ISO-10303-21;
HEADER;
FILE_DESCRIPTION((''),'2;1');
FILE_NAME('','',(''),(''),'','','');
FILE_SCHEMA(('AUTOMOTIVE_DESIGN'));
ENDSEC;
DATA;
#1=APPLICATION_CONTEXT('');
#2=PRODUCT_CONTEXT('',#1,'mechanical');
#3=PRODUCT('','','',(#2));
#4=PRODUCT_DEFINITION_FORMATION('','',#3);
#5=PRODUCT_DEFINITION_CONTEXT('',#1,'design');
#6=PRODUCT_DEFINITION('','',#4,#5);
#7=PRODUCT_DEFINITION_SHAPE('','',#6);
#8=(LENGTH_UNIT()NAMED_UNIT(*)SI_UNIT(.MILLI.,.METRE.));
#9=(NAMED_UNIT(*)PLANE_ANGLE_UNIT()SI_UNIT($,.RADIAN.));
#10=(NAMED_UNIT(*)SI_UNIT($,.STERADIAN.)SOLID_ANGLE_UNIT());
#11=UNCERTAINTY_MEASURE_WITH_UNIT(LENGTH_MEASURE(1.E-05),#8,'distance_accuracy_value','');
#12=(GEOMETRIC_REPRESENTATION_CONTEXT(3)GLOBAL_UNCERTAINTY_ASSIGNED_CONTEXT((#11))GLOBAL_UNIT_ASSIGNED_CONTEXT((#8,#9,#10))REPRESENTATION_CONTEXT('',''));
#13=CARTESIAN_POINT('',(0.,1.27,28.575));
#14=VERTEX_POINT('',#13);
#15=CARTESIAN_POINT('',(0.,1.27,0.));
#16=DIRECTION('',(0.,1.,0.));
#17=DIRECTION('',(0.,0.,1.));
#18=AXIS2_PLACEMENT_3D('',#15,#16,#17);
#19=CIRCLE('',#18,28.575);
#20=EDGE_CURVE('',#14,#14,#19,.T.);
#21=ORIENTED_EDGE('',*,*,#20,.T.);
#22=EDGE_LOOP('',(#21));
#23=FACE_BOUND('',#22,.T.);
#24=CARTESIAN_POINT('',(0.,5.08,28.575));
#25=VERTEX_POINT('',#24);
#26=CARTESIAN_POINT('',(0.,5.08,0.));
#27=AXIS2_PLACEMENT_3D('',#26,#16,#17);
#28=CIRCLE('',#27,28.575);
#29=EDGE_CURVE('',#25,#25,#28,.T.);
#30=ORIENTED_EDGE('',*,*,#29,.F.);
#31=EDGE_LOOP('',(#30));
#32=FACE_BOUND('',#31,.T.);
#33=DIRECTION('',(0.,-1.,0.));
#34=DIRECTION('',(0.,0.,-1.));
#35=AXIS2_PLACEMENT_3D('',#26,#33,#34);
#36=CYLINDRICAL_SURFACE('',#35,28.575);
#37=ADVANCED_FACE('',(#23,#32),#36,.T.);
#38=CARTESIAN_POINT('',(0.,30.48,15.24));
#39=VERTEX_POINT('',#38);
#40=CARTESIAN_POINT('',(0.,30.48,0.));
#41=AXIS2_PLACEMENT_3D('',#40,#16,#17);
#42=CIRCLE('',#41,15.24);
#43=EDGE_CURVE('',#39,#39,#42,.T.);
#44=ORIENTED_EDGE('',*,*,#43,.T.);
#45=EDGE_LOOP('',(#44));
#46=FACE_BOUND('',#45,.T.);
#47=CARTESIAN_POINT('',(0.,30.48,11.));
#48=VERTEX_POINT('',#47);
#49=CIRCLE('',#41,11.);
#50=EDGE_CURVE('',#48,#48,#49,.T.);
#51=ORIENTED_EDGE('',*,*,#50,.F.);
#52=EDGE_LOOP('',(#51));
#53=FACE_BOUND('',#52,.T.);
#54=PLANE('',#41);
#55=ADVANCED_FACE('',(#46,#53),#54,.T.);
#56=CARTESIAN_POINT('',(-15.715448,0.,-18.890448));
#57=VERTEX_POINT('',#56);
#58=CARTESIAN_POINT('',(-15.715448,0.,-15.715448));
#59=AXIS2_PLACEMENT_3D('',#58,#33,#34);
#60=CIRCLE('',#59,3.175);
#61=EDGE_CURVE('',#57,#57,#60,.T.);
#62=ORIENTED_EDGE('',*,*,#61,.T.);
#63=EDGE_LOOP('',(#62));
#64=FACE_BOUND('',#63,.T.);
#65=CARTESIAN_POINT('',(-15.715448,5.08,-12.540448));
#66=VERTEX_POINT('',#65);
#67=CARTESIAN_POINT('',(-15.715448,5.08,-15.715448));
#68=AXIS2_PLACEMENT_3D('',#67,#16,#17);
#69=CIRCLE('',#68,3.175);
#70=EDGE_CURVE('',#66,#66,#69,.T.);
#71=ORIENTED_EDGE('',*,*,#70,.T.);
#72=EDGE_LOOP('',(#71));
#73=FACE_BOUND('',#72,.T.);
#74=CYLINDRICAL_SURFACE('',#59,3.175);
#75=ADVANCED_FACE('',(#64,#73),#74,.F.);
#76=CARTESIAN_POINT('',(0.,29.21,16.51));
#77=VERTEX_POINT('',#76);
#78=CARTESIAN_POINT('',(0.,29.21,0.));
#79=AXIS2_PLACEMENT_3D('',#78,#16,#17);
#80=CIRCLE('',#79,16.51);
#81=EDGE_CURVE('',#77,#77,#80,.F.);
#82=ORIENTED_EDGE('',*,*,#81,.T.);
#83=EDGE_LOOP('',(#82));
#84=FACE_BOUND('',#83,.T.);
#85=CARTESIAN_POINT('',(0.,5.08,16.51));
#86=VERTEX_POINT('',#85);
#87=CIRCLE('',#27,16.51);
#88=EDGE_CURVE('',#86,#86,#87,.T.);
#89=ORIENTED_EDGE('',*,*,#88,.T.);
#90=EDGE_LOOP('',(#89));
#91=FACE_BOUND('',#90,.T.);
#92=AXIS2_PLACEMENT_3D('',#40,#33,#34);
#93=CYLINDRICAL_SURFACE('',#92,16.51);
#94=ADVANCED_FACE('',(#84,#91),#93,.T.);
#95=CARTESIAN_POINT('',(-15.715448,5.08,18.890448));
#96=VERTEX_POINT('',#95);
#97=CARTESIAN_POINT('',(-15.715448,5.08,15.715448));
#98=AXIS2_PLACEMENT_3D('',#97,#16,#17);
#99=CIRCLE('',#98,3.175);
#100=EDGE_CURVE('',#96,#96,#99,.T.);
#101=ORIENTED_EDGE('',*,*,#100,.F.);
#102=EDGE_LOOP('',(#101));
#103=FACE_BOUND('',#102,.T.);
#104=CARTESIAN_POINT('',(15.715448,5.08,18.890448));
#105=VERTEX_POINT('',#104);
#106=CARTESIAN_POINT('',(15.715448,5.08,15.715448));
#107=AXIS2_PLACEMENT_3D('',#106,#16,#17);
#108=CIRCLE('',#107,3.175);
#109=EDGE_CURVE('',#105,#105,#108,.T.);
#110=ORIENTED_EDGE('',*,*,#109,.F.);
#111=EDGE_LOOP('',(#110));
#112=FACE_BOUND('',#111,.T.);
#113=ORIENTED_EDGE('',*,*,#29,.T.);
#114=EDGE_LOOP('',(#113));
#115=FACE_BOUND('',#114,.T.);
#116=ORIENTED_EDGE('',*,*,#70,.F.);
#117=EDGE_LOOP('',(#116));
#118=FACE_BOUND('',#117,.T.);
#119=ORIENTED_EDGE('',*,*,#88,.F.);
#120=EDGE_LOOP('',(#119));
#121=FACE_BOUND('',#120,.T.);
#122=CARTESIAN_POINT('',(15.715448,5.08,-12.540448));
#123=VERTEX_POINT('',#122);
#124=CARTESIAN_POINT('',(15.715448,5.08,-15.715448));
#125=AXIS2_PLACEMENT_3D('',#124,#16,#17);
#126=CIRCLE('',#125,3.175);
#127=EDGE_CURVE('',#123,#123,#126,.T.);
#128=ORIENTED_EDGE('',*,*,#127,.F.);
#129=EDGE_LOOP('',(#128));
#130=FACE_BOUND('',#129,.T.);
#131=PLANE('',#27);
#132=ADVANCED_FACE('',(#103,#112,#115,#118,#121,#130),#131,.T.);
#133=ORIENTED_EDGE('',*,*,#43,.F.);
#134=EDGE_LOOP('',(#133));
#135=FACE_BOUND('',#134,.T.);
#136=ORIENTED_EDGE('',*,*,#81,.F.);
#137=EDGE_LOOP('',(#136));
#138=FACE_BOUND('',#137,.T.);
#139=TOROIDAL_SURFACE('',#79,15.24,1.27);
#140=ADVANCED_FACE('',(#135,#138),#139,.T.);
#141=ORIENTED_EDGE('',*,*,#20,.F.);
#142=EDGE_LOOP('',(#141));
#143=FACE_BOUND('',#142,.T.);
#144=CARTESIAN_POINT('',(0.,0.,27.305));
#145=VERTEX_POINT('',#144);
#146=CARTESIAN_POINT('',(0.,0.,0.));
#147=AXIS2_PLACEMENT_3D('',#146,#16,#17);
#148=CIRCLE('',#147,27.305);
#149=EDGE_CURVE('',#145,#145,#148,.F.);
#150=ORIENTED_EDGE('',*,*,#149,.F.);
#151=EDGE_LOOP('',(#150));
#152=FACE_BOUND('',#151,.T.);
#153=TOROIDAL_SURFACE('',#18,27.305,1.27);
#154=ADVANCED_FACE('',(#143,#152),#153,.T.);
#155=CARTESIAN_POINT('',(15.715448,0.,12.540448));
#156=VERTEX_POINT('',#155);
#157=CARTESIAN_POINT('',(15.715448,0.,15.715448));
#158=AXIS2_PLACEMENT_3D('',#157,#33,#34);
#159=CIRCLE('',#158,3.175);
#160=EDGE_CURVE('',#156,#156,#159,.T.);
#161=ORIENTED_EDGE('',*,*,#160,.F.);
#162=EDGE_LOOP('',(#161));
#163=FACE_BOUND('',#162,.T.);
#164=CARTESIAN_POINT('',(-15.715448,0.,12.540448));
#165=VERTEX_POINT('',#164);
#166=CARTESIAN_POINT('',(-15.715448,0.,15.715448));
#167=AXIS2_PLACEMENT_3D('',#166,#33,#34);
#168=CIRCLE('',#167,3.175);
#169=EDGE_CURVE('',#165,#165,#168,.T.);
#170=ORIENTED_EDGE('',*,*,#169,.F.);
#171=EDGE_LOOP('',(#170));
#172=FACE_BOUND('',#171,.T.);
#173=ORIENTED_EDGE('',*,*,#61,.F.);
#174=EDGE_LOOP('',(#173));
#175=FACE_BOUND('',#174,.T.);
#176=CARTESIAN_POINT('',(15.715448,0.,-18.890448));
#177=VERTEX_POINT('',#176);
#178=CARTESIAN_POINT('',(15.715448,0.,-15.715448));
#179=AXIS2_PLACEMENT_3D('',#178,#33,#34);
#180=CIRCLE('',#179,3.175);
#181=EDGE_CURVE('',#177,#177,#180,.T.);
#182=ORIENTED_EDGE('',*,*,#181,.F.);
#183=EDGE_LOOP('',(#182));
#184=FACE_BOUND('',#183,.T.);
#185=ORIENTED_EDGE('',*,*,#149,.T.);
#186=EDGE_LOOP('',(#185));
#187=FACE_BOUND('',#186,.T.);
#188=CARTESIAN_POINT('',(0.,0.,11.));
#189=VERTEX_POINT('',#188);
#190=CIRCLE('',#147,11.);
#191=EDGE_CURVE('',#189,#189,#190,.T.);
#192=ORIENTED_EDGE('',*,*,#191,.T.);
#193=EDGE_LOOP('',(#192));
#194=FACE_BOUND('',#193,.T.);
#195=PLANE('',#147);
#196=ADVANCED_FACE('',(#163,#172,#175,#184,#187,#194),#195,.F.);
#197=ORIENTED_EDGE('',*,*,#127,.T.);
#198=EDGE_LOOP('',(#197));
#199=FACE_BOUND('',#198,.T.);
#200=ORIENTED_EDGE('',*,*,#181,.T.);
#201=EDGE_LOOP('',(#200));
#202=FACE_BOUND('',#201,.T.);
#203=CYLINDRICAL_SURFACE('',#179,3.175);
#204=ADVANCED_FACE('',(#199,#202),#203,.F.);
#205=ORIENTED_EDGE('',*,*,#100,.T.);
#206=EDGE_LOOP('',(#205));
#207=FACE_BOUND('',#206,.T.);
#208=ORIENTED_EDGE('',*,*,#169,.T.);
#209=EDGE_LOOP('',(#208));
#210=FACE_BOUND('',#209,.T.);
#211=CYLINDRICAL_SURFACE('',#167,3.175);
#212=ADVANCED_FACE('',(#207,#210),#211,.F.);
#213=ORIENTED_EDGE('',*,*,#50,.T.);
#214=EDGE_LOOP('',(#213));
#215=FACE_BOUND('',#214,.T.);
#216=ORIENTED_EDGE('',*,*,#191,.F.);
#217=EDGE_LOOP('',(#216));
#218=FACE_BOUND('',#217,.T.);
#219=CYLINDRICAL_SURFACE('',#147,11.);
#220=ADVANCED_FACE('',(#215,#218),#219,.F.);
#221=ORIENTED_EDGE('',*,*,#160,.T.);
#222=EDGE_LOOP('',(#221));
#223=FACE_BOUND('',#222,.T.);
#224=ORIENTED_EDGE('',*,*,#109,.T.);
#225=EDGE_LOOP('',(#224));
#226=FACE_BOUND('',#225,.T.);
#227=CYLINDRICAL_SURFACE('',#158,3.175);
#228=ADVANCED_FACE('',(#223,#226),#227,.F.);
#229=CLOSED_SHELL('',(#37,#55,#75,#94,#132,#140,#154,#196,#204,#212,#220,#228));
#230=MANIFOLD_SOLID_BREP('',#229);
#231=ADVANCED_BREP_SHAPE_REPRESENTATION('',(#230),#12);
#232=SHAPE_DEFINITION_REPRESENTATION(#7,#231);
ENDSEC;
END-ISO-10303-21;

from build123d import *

# Parameters (mm, degrees)
SKETCH1_R                       = 28.575
BOSS_EXTRUDE1_DEPTH             = 5.08
SKETCH2_R                       = 16.51
BOSS_EXTRUDE2_DEPTH             = 25.4
F_1_4_0_25_DIAMETER_HOLE1_D     = 6.35
F_1_4_0_25_DIAMETER_HOLE1_DEPTH = 8.89
F_1_4_0_25_DIAMETER_HOLE1_TIP   = 1.907732465
CUT_EXTRUDE1_DEPTH              = 51.617108274
CUT_EXTRUDE1_DEPTH_BACK         = 51.617108274
SKETCH5_R                       = 11
FILLET1_R                       = 1.27


with BuildPart() as part:
    # Sketch1 → Boss-Extrude1 (new body)
    with BuildSketch(Plane(origin=(0, 0, 0), x_dir=(1, 0, 0), z_dir=(0, 1, 0))):
        with Locations(Location((0, 0, 0), (0, 0, 270))):
            Circle(SKETCH1_R)
    extrude(amount=BOSS_EXTRUDE1_DEPTH)

    # Sketch2 → Boss-Extrude2 (add)
    with BuildSketch(Plane(origin=(0, 5.08, 0), x_dir=(1, 0, 0), z_dir=(0, 1, 0))):
        with Locations(Location((0, 0, 0), (0, 0, 270))):
            Circle(SKETCH2_R)
    extrude(amount=BOSS_EXTRUDE2_DEPTH)

    # 1/4 (0.25) Diameter Hole1
    with Locations(Plane(origin=(0, 0, 0), x_dir=(-1, 0, 0), z_dir=(0, -1, 0))):
        with Locations((15.715448212, 15.715448212), (-15.715448212, 15.715448212), (-15.715448212, -15.715448212), (15.715448212, -15.715448212)):
            Hole(F_1_4_0_25_DIAMETER_HOLE1_D / 2, depth=F_1_4_0_25_DIAMETER_HOLE1_DEPTH)
            with Locations((0, 0, -(F_1_4_0_25_DIAMETER_HOLE1_DEPTH + F_1_4_0_25_DIAMETER_HOLE1_TIP / 2))):  # 118° drill point
                Cone(0, F_1_4_0_25_DIAMETER_HOLE1_D / 2, F_1_4_0_25_DIAMETER_HOLE1_TIP, mode=Mode.SUBTRACT)

    # Sketch5 → Cut-Extrude1 (cut, two sides: drawn at the far end of the back side and taken through both)
    with BuildSketch(Plane(origin=(0, 30.48, 0), x_dir=(1, 0, 0), z_dir=(0, 1, 0)).offset(-CUT_EXTRUDE1_DEPTH_BACK)):
        with Locations(Location((0, 0, 0), (0, 0, 270))):
            Circle(SKETCH5_R)
    extrude(amount=CUT_EXTRUDE1_DEPTH + CUT_EXTRUDE1_DEPTH_BACK, mode=Mode.SUBTRACT)

    # Fillet1
    fillet1_edges = [part.edges().sort_by_distance(p)[0] for p in [
        (0, 0, -28.575),
        (0, 30.48, -16.51),
    ]]
    fillet(fillet1_edges, radius=FILLET1_R)


solid = part.part
